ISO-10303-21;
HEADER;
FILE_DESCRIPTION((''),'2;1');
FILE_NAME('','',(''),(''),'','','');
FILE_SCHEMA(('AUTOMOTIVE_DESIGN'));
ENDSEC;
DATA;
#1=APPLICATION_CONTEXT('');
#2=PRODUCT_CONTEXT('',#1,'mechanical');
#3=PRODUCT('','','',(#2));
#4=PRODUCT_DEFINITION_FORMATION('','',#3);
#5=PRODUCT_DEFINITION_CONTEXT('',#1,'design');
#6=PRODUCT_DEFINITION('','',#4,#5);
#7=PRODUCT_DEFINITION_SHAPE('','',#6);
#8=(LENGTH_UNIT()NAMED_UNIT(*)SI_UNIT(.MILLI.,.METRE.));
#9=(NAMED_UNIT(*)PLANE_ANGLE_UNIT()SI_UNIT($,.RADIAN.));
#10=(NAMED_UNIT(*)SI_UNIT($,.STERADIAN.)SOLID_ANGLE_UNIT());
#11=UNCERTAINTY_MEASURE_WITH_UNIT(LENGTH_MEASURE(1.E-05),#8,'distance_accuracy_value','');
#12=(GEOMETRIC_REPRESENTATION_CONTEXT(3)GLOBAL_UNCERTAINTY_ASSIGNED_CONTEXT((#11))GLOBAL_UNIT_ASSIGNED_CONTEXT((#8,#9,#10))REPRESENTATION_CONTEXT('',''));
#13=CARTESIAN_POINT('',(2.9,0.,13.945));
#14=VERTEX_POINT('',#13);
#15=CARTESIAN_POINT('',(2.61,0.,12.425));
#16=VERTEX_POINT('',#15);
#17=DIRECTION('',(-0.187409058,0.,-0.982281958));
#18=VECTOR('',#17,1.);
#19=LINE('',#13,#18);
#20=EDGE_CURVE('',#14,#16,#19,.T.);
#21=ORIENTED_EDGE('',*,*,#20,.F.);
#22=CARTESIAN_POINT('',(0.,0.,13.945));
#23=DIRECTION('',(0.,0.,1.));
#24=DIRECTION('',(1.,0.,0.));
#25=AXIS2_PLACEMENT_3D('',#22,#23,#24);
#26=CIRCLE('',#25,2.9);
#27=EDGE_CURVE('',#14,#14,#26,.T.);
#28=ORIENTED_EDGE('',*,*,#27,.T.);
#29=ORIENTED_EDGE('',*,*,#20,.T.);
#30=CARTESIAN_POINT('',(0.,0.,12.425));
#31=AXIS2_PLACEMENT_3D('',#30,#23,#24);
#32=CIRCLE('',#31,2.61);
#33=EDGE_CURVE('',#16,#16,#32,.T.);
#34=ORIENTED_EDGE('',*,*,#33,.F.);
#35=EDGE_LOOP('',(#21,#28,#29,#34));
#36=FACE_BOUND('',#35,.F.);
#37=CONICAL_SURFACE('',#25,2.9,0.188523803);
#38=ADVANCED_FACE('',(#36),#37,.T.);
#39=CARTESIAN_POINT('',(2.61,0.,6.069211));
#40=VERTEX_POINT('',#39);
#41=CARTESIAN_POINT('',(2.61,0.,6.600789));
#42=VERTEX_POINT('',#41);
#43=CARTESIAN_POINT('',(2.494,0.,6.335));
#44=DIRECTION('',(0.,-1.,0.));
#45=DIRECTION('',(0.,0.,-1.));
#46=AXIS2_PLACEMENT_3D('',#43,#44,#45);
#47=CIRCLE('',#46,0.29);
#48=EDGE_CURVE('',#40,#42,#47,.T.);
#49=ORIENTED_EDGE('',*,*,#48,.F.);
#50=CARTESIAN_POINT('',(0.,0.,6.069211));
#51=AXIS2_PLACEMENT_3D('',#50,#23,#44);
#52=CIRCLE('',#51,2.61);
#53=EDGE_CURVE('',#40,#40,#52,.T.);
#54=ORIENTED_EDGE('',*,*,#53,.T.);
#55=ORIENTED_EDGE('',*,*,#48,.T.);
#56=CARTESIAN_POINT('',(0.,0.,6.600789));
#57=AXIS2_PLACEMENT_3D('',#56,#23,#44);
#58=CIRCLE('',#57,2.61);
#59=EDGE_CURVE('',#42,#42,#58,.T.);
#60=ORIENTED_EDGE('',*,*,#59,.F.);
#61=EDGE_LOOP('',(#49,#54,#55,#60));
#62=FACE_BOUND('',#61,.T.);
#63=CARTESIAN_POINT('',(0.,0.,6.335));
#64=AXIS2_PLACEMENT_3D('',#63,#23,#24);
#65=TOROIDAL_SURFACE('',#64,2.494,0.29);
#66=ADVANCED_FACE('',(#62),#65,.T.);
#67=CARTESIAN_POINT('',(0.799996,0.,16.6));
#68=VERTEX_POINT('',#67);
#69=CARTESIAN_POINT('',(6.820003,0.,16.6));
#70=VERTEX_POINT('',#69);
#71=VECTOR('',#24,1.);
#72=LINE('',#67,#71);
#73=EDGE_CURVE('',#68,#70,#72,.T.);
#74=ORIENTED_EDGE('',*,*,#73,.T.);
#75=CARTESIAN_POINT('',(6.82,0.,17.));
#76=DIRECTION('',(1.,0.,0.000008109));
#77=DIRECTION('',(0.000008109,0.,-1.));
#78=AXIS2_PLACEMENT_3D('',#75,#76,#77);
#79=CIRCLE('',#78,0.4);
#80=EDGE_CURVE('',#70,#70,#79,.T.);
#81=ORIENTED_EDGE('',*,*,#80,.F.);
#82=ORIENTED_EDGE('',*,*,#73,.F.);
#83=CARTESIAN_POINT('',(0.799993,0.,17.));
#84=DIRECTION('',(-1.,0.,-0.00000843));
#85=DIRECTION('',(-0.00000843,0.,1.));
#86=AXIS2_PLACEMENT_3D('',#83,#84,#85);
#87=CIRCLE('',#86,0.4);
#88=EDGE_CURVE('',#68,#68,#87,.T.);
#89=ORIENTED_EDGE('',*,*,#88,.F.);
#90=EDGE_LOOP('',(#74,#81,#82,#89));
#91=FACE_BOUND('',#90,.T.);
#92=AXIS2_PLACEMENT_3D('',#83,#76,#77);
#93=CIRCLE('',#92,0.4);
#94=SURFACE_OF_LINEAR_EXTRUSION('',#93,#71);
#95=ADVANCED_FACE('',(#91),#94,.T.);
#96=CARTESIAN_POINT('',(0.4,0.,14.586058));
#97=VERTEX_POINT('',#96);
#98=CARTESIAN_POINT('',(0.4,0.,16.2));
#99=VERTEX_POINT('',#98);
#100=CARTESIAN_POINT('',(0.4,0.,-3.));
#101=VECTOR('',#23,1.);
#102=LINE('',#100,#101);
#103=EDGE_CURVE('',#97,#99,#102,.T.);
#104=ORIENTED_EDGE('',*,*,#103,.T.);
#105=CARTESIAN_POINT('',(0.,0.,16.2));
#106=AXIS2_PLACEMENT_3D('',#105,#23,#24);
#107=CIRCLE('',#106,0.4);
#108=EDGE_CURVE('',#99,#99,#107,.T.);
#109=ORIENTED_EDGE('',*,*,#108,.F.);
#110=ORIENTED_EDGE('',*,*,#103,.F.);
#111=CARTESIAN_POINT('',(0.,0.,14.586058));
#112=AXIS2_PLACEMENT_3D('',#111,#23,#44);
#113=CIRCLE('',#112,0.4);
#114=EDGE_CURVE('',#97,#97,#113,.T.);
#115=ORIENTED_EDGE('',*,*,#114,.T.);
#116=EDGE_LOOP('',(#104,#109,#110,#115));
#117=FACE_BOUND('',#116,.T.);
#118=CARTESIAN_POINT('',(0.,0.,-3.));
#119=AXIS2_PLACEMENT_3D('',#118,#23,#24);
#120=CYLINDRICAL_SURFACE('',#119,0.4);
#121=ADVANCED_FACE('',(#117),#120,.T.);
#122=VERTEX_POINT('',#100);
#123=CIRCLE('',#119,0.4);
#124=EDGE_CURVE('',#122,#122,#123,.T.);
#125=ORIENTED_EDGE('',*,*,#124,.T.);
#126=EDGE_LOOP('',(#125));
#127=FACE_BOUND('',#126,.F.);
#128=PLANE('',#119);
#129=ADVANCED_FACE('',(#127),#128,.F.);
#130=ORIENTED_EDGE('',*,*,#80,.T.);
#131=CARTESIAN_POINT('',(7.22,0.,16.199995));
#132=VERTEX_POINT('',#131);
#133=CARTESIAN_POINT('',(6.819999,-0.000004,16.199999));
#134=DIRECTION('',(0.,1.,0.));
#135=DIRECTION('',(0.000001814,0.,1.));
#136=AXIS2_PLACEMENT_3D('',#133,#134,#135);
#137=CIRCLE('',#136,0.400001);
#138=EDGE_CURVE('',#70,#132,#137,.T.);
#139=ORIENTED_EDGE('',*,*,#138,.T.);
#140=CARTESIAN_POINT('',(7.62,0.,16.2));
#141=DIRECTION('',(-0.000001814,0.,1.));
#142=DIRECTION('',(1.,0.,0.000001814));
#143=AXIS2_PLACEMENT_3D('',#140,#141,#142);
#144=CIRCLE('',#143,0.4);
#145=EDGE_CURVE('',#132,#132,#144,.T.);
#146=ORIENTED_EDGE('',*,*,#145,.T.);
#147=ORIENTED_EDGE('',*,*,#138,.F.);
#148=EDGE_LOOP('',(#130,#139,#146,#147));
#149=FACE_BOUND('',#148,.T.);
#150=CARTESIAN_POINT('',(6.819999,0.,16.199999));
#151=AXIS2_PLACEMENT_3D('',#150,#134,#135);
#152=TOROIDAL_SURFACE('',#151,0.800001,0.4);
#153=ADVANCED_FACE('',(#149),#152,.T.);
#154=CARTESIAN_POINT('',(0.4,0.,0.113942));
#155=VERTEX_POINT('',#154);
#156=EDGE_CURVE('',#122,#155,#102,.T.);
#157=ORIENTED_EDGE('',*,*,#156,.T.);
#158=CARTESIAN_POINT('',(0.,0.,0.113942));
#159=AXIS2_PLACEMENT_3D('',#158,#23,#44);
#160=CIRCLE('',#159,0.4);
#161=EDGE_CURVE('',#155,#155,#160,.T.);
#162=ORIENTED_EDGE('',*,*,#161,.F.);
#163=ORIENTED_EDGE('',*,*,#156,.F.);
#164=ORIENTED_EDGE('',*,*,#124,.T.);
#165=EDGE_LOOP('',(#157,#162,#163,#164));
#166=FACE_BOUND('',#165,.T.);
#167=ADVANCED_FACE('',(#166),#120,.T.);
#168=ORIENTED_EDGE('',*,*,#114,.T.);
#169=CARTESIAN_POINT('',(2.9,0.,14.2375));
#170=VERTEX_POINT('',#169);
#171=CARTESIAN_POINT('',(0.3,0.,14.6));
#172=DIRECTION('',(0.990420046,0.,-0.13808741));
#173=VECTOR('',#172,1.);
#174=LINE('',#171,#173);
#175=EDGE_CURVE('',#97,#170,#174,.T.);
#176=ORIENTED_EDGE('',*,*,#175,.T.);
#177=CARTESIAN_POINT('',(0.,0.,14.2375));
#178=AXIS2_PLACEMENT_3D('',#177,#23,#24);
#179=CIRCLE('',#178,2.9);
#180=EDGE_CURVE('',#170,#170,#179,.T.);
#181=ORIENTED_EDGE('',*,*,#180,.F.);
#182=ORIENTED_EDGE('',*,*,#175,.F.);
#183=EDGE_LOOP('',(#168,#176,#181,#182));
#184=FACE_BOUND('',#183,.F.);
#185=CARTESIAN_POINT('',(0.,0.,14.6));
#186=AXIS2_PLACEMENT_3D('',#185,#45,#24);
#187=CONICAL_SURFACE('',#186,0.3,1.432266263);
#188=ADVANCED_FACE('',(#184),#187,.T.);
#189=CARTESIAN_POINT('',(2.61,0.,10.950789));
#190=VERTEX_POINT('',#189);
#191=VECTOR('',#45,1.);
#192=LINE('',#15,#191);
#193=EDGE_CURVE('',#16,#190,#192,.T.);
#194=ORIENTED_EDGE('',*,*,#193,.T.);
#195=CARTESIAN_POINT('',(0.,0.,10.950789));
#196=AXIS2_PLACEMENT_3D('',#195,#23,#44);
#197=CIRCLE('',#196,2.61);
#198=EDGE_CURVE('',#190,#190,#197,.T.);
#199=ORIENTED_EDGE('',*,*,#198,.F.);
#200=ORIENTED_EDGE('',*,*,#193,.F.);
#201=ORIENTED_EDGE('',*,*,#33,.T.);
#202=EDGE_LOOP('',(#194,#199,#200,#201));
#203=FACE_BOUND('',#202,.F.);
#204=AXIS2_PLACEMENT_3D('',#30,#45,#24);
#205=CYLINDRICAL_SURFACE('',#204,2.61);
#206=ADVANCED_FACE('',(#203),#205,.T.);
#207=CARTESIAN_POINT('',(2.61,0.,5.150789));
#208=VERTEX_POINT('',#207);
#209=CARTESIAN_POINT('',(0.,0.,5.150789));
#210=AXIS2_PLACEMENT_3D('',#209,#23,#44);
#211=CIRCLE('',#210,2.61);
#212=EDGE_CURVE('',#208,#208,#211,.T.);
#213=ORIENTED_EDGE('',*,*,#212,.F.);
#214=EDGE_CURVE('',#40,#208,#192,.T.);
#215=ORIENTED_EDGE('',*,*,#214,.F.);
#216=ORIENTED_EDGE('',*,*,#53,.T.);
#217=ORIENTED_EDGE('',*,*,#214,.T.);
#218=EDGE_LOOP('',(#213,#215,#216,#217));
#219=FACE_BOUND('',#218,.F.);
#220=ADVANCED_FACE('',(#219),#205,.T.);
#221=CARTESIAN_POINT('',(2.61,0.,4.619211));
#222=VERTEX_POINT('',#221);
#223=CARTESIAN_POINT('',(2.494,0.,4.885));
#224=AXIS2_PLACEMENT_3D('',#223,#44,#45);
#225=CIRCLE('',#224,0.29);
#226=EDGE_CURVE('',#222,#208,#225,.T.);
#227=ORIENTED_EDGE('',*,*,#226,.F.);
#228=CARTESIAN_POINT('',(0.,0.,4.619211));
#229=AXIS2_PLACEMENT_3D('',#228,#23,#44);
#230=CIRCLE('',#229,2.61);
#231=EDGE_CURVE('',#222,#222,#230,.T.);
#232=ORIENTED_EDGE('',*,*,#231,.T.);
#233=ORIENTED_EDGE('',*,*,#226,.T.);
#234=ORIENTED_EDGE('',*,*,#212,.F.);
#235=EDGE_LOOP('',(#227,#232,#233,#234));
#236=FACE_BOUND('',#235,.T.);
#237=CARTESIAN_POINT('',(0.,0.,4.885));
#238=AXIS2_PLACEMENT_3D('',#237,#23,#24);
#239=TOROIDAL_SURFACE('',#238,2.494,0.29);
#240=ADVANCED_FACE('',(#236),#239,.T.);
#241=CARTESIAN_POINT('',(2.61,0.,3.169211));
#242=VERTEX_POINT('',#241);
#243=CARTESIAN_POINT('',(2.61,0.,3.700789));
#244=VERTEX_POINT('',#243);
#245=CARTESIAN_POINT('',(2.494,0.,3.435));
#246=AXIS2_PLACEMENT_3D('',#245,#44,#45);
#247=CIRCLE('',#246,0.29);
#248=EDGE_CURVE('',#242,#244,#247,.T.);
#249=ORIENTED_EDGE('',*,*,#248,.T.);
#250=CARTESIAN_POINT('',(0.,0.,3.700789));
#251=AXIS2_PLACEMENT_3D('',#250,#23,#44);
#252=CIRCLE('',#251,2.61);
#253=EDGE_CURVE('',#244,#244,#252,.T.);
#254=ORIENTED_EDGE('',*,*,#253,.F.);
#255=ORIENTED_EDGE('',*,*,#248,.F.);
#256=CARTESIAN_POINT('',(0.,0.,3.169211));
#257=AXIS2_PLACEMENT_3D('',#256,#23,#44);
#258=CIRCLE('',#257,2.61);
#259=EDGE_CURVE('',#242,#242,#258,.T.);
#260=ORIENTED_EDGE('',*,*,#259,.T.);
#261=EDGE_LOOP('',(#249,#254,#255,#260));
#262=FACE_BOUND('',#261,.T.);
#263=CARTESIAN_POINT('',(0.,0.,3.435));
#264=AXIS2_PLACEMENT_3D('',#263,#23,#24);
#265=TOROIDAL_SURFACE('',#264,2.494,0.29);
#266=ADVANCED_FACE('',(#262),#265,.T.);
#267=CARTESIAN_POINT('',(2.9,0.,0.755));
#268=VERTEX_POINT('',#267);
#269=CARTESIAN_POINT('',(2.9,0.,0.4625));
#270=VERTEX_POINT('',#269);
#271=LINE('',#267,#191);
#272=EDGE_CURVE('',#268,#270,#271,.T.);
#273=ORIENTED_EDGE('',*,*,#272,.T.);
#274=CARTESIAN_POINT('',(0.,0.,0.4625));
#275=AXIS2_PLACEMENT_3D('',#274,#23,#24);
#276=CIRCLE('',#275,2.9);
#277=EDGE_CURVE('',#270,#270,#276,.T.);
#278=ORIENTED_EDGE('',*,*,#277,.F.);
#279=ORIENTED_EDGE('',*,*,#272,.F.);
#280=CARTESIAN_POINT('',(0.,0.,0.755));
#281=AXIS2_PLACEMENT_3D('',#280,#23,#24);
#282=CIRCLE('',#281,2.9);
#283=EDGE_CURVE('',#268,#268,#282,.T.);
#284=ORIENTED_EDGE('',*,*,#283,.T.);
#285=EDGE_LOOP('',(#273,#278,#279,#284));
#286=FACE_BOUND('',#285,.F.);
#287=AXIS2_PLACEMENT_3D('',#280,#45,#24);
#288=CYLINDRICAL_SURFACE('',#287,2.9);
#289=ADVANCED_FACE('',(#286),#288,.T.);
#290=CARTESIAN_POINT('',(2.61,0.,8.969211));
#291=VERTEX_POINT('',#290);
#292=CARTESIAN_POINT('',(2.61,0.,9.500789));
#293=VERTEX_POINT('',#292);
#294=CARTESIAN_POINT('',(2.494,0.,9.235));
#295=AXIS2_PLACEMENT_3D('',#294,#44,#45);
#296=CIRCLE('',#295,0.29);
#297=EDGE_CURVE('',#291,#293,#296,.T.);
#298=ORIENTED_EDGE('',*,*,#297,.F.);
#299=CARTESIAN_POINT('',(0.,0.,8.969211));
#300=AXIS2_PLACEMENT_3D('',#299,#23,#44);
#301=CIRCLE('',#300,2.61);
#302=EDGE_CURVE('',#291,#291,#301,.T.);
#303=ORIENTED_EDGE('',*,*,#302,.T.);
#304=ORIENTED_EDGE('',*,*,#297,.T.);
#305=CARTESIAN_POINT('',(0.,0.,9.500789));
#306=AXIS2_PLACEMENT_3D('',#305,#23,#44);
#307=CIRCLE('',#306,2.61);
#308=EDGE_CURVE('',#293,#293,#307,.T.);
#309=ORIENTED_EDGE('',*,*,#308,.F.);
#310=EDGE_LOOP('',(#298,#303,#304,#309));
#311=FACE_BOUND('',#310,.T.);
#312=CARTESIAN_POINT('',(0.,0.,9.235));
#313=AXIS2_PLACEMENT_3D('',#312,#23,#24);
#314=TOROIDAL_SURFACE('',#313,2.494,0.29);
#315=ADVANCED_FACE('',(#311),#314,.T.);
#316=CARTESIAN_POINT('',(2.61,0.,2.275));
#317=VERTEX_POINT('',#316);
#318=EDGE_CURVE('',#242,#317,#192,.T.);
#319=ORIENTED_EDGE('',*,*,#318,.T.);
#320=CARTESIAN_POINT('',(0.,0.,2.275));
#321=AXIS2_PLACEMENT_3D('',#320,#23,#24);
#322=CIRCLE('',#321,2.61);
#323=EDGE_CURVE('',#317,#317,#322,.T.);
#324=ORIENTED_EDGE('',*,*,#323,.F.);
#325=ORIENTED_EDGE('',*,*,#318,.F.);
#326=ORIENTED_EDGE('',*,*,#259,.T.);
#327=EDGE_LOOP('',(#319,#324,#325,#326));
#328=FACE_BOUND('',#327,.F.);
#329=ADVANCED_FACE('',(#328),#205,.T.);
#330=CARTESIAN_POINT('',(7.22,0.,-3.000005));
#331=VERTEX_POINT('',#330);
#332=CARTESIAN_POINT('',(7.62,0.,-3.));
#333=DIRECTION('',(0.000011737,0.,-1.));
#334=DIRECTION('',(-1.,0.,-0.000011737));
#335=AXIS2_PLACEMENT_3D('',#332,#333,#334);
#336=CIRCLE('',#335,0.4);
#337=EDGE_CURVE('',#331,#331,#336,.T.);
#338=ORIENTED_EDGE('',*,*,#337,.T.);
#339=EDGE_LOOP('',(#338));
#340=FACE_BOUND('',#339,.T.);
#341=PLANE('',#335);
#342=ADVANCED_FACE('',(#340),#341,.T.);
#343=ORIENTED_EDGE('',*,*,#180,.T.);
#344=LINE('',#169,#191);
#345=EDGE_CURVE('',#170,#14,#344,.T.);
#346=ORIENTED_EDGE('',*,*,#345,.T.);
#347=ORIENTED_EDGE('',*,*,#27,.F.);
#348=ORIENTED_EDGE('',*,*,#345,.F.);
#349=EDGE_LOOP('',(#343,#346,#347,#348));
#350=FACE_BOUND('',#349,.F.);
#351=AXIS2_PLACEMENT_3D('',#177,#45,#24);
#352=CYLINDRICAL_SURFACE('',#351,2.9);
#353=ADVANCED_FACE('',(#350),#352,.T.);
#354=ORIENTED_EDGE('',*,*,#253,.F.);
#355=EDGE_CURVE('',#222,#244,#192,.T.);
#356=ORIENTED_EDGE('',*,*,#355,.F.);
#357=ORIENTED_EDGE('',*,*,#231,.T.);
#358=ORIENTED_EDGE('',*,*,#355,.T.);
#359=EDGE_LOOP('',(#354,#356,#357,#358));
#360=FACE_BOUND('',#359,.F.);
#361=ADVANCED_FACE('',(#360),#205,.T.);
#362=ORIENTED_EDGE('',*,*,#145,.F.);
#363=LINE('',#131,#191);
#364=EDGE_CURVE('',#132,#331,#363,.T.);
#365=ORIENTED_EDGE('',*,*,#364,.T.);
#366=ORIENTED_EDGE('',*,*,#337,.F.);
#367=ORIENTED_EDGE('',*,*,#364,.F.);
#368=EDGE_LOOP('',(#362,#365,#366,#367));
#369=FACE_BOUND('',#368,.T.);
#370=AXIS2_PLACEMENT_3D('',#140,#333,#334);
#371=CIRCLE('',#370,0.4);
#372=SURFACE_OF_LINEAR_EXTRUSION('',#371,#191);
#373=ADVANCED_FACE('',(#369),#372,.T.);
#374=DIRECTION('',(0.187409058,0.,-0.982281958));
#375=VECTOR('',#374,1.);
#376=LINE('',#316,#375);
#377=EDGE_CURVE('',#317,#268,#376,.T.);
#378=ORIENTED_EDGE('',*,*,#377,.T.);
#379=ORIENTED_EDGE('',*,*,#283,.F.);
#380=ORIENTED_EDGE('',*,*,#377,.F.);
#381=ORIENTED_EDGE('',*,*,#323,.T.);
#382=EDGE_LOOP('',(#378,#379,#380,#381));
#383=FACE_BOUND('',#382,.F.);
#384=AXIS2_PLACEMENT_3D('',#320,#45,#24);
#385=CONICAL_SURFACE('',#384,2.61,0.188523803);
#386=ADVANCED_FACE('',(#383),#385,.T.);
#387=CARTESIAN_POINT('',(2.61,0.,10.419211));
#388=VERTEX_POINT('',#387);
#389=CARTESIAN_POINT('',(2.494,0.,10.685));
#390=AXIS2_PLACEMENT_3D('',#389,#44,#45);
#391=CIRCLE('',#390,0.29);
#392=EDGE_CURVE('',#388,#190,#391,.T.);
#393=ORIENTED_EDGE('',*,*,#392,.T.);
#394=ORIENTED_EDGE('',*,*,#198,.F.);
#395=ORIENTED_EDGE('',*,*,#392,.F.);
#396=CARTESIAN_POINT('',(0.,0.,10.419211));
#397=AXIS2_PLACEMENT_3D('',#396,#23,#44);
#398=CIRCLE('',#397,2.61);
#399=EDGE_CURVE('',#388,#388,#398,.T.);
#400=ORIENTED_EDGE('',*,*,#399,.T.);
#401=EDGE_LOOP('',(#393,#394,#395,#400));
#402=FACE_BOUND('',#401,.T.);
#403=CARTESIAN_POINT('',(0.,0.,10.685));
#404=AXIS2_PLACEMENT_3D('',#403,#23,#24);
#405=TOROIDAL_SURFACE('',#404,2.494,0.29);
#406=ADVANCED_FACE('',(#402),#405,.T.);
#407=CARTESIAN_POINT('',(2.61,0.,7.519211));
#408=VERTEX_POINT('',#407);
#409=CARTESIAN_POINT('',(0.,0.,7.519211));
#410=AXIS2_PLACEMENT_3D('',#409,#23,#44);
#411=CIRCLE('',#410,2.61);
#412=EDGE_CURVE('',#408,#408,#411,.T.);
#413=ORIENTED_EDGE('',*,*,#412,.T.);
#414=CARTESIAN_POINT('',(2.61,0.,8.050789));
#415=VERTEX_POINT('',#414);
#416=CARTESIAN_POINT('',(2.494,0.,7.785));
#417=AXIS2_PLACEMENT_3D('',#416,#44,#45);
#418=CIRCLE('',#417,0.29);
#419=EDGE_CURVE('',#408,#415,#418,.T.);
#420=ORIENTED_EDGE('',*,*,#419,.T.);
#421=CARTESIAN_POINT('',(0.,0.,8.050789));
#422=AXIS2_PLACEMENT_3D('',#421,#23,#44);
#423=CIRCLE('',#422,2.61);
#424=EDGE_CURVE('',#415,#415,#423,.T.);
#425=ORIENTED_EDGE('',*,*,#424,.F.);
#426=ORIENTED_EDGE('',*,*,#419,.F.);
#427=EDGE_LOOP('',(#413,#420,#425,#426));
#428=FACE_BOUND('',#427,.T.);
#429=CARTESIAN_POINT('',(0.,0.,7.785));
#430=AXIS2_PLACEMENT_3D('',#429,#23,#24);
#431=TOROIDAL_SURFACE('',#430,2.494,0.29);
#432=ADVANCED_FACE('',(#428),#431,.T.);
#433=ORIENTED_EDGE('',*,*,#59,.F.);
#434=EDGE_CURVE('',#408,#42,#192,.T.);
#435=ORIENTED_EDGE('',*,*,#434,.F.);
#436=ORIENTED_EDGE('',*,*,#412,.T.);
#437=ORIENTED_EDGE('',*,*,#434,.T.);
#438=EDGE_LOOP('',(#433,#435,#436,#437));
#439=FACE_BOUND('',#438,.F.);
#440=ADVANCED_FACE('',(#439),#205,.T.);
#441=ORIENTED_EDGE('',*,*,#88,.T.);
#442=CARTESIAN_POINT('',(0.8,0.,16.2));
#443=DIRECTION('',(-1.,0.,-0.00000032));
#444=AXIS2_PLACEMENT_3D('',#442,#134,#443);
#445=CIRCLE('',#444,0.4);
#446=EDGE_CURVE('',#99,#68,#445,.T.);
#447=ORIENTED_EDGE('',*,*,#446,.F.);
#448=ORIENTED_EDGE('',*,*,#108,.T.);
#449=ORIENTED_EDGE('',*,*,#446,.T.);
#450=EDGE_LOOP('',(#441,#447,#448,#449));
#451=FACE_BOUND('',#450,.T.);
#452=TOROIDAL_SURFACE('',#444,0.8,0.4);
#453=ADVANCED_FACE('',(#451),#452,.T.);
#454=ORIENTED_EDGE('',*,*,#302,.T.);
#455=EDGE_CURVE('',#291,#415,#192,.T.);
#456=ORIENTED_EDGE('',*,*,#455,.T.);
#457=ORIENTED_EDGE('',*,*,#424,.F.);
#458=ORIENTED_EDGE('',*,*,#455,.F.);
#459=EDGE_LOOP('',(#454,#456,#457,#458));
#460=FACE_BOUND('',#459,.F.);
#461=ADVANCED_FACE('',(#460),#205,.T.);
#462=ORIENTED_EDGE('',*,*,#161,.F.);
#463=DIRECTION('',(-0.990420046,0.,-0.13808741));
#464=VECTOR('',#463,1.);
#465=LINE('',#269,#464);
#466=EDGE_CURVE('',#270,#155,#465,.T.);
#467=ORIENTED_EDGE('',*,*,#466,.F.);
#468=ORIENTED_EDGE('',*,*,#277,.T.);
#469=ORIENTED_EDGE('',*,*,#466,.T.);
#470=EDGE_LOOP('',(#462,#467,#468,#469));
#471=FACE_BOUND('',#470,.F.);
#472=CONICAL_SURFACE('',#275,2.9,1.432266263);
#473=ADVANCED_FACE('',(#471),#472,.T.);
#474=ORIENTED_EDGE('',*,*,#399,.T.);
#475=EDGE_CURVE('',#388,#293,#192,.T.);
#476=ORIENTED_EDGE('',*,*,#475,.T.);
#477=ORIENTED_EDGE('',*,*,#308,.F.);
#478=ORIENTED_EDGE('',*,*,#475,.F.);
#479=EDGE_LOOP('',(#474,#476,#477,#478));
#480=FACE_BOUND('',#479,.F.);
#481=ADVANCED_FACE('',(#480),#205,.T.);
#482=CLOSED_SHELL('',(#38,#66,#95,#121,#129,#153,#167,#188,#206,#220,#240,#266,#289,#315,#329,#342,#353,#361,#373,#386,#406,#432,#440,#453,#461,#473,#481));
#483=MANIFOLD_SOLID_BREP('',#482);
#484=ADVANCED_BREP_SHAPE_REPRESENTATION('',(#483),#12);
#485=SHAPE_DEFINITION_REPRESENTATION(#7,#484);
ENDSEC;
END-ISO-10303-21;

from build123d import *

# Parameters (mm, degrees)
SKETCH_R = 0.4


with BuildPart() as revolution:
    # Sketch002 → Revolution (revolve)
    with BuildSketch(Plane.XZ):
        Polygon((0, 0.1), (0, 14.6), (0.3, 14.6), (2.9, 14.2375), (2.9, 13.945), (2.61, 12.425), (2.61, 2.275), (2.9, 0.755), (2.9, 0.4625), (0.3, 0.1), align=None)
    revolve(axis=Axis((0, 0, 0), (0, 0, 1)))


with BuildPart() as sweep_body:
    # Sweep: sweep along a path in Sketch001
    with BuildLine(Plane.XZ) as sweep_path:
        Line((0, -3), (0, 16.2))
        ThreePointArc((0, 16.2), (0.234312, 16.765683), (0.799993, 17))
        Line((0.799993, 17), (6.82, 17))
        ThreePointArc((6.82, 17), (7.385685, 16.765685), (7.62, 16.2))
        Line((7.62, 16.2), (7.62, -3))
    # Sketch → Sweep (sweep)
    with BuildSketch(Plane.XY.offset(-2)):
        Circle(SKETCH_R)
    sweep(path=sweep_path.line)


with BuildPart() as revolution001_mp_cp:
    # Sketch003 → Revolution001 (revolve)
    with BuildSketch(Plane.XZ):
        with BuildLine():
            Line((2.32, 11.845), (2.32, 2.275))
            Line((2.32, 2.275), (2.494, 2.275))
            Line((2.494, 2.275), (2.494, 3.145))
            ThreePointArc((2.494, 3.145), (2.784, 3.435), (2.494, 3.725))
            Line((2.494, 3.725), (2.494, 4.595))
            ThreePointArc((2.494, 4.595), (2.784, 4.885), (2.494, 5.175))
            Line((2.494, 5.175), (2.494, 6.045))
            ThreePointArc((2.494, 6.045), (2.784, 6.335), (2.494, 6.625))
            Line((2.494, 6.625), (2.494, 7.495))
            ThreePointArc((2.494, 7.495), (2.784, 7.785), (2.494, 8.075))
            Line((2.494, 8.075), (2.494, 8.945))
            ThreePointArc((2.494, 8.945), (2.784, 9.235), (2.494, 9.525))
            Line((2.494, 9.525), (2.494, 10.395))
            ThreePointArc((2.494, 10.395), (2.784, 10.685), (2.494, 10.975))
            Line((2.494, 11.845), (2.494, 10.975))
            Line((2.32, 11.845), (2.494, 11.845))
        make_face()
    revolve(axis=Axis((0, 0, 0), (0, 0, 1)))

    # Revolution001_mp_cp: union Revolution, Sweep body
    add(revolution.part)
    add(sweep_body.part)


solid = revolution001_mp_cp.part
